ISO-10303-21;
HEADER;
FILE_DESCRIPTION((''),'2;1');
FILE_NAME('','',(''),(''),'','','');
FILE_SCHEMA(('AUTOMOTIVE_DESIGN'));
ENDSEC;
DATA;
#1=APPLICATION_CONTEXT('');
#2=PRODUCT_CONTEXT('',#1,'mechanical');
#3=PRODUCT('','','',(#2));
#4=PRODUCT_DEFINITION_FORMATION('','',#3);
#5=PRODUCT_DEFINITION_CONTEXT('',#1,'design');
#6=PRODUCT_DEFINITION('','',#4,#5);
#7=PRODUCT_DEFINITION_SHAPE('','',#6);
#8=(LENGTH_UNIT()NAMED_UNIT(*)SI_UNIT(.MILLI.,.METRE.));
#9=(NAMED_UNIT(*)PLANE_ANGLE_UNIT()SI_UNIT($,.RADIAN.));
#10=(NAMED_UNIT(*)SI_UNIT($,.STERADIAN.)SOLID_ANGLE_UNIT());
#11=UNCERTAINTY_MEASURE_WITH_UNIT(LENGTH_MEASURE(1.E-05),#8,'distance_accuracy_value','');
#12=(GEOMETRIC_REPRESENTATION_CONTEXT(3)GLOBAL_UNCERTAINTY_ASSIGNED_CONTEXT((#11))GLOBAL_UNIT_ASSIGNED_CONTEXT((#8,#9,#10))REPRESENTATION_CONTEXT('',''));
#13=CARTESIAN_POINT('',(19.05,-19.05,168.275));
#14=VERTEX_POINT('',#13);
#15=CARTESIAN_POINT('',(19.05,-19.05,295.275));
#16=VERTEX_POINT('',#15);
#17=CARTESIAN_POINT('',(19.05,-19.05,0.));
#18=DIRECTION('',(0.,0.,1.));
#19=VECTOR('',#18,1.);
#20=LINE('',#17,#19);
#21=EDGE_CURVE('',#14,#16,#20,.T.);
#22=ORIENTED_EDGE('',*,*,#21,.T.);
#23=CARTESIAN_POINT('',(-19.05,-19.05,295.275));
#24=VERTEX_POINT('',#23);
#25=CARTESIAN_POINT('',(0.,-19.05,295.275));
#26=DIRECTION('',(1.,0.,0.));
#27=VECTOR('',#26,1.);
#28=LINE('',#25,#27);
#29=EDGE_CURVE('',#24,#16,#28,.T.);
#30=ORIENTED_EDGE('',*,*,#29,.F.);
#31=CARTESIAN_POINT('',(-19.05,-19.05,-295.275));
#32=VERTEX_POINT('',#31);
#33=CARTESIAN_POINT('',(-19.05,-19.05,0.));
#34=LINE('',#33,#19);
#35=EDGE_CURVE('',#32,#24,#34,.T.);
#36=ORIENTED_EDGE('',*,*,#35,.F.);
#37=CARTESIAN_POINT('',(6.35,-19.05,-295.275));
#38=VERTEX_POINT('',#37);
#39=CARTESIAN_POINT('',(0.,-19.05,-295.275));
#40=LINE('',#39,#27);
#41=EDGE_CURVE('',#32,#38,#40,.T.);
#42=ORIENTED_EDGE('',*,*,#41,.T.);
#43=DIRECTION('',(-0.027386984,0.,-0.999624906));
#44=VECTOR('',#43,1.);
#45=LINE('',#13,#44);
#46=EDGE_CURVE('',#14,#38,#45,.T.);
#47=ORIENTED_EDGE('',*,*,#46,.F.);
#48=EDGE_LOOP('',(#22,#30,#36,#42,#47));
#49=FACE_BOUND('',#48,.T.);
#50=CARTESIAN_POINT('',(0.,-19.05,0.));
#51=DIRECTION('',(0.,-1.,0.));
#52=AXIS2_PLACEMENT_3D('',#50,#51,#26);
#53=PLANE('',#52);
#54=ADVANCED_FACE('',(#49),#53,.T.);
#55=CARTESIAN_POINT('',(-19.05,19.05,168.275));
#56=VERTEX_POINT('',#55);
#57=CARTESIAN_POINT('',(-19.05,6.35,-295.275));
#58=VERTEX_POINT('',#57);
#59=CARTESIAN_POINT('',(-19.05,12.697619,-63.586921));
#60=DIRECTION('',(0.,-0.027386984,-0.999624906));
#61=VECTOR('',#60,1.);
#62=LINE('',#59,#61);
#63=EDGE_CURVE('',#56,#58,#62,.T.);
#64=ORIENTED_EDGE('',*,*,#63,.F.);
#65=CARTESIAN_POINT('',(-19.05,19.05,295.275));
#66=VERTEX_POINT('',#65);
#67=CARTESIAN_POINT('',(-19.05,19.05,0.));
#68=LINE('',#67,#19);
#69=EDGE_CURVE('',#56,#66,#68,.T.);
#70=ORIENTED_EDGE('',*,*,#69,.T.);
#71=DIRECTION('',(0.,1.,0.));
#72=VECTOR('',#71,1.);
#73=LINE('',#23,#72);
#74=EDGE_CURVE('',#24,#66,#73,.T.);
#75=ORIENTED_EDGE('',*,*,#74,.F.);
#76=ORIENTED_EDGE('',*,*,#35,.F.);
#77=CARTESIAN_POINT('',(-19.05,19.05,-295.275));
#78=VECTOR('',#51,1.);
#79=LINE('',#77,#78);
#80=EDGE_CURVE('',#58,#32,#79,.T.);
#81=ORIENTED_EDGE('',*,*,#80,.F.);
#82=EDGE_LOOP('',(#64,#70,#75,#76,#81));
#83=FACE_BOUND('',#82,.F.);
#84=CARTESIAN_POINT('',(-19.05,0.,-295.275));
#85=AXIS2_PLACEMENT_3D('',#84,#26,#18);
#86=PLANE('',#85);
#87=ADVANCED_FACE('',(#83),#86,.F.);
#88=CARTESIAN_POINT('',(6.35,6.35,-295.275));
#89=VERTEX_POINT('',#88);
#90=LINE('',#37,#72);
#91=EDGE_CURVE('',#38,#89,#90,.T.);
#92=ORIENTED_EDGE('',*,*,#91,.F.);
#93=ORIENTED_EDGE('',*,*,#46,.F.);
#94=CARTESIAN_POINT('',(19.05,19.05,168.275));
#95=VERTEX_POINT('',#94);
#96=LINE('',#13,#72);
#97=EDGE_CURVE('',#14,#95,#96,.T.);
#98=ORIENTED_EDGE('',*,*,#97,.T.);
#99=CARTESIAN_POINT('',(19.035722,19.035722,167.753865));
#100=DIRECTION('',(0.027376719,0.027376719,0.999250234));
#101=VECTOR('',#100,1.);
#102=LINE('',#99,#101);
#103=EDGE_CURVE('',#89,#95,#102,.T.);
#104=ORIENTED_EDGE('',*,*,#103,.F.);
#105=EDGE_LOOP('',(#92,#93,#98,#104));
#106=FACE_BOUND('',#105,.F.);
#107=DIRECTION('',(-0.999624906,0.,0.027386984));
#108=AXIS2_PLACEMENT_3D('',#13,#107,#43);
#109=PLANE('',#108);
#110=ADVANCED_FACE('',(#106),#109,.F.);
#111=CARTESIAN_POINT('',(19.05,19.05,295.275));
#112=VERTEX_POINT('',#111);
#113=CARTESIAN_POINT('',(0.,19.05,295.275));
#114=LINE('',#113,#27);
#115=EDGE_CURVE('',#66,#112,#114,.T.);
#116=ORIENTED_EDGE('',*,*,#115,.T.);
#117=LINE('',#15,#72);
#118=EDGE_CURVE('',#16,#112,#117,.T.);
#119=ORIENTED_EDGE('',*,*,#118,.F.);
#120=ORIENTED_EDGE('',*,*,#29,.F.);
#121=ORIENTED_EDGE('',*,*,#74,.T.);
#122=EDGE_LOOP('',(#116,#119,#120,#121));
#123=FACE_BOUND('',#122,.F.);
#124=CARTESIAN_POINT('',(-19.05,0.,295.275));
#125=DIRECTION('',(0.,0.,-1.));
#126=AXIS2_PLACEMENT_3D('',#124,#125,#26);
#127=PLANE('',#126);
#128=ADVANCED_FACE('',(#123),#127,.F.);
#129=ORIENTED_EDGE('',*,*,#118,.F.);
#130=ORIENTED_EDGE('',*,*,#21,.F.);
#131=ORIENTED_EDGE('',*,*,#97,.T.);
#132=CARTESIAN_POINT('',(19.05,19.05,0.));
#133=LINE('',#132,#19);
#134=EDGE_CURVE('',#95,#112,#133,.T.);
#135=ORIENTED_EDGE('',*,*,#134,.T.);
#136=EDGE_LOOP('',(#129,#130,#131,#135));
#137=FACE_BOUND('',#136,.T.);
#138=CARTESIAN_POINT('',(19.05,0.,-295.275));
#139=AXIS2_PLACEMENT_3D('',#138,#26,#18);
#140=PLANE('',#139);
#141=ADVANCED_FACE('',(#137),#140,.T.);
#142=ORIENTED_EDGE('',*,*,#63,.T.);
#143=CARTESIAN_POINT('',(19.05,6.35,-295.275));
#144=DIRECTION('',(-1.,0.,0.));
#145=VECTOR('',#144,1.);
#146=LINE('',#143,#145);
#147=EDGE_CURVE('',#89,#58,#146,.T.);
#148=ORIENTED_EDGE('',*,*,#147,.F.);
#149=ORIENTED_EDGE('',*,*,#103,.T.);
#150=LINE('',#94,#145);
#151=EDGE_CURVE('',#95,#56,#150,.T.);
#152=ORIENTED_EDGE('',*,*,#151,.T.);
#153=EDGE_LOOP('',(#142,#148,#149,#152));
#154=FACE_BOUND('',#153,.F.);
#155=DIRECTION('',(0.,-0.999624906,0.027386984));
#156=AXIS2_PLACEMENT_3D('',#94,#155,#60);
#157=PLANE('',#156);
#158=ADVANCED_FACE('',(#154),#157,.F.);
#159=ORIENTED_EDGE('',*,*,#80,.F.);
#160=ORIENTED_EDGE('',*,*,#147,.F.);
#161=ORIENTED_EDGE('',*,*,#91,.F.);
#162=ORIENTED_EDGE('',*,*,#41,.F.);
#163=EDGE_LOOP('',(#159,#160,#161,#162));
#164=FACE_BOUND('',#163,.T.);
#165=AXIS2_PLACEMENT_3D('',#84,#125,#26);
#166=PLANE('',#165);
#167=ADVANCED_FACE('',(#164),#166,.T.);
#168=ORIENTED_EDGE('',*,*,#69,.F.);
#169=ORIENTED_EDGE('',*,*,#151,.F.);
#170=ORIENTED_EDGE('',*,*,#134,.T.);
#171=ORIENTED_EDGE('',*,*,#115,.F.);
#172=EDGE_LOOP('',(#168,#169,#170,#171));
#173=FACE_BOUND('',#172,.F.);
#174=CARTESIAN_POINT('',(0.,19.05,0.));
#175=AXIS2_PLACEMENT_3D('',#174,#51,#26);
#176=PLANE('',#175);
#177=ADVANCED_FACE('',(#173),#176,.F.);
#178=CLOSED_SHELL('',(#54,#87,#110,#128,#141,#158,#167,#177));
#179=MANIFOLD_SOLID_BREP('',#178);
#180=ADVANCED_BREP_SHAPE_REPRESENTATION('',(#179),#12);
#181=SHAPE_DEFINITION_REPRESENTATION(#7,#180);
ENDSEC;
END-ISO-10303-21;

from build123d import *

# Parameters (mm, degrees)
F0_W     = 38.1
F0_H     = 590.55
F1_DEPTH = 19.05
F3_DEPTH = 38.1
F5_DEPTH = 38.101


with BuildPart() as f1:
    # F0 (on Front) → F1 (new body, symmetric)
    with BuildSketch(Plane.XZ):
        Rectangle(F0_W, F0_H)
    extrude(amount=F1_DEPTH, both=True)

    # F2 (on face) → F3 (cut, through all)
    with BuildSketch(Plane.XZ.offset(19.05)):
        Polygon((19.05, 168.275), (6.35, -295.275), (19.05, -295.275), align=None)
    extrude(amount=-F3_DEPTH, mode=Mode.SUBTRACT)

    # F4 (on face) → F5 (cut, through all)
    with BuildSketch(Plane.YZ.offset(19.05)):
        Polygon((19.05, -295.275), (19.05, 168.275), (6.35, -295.275), align=None)
    extrude(amount=-F5_DEPTH, mode=Mode.SUBTRACT)


solid = f1.part
